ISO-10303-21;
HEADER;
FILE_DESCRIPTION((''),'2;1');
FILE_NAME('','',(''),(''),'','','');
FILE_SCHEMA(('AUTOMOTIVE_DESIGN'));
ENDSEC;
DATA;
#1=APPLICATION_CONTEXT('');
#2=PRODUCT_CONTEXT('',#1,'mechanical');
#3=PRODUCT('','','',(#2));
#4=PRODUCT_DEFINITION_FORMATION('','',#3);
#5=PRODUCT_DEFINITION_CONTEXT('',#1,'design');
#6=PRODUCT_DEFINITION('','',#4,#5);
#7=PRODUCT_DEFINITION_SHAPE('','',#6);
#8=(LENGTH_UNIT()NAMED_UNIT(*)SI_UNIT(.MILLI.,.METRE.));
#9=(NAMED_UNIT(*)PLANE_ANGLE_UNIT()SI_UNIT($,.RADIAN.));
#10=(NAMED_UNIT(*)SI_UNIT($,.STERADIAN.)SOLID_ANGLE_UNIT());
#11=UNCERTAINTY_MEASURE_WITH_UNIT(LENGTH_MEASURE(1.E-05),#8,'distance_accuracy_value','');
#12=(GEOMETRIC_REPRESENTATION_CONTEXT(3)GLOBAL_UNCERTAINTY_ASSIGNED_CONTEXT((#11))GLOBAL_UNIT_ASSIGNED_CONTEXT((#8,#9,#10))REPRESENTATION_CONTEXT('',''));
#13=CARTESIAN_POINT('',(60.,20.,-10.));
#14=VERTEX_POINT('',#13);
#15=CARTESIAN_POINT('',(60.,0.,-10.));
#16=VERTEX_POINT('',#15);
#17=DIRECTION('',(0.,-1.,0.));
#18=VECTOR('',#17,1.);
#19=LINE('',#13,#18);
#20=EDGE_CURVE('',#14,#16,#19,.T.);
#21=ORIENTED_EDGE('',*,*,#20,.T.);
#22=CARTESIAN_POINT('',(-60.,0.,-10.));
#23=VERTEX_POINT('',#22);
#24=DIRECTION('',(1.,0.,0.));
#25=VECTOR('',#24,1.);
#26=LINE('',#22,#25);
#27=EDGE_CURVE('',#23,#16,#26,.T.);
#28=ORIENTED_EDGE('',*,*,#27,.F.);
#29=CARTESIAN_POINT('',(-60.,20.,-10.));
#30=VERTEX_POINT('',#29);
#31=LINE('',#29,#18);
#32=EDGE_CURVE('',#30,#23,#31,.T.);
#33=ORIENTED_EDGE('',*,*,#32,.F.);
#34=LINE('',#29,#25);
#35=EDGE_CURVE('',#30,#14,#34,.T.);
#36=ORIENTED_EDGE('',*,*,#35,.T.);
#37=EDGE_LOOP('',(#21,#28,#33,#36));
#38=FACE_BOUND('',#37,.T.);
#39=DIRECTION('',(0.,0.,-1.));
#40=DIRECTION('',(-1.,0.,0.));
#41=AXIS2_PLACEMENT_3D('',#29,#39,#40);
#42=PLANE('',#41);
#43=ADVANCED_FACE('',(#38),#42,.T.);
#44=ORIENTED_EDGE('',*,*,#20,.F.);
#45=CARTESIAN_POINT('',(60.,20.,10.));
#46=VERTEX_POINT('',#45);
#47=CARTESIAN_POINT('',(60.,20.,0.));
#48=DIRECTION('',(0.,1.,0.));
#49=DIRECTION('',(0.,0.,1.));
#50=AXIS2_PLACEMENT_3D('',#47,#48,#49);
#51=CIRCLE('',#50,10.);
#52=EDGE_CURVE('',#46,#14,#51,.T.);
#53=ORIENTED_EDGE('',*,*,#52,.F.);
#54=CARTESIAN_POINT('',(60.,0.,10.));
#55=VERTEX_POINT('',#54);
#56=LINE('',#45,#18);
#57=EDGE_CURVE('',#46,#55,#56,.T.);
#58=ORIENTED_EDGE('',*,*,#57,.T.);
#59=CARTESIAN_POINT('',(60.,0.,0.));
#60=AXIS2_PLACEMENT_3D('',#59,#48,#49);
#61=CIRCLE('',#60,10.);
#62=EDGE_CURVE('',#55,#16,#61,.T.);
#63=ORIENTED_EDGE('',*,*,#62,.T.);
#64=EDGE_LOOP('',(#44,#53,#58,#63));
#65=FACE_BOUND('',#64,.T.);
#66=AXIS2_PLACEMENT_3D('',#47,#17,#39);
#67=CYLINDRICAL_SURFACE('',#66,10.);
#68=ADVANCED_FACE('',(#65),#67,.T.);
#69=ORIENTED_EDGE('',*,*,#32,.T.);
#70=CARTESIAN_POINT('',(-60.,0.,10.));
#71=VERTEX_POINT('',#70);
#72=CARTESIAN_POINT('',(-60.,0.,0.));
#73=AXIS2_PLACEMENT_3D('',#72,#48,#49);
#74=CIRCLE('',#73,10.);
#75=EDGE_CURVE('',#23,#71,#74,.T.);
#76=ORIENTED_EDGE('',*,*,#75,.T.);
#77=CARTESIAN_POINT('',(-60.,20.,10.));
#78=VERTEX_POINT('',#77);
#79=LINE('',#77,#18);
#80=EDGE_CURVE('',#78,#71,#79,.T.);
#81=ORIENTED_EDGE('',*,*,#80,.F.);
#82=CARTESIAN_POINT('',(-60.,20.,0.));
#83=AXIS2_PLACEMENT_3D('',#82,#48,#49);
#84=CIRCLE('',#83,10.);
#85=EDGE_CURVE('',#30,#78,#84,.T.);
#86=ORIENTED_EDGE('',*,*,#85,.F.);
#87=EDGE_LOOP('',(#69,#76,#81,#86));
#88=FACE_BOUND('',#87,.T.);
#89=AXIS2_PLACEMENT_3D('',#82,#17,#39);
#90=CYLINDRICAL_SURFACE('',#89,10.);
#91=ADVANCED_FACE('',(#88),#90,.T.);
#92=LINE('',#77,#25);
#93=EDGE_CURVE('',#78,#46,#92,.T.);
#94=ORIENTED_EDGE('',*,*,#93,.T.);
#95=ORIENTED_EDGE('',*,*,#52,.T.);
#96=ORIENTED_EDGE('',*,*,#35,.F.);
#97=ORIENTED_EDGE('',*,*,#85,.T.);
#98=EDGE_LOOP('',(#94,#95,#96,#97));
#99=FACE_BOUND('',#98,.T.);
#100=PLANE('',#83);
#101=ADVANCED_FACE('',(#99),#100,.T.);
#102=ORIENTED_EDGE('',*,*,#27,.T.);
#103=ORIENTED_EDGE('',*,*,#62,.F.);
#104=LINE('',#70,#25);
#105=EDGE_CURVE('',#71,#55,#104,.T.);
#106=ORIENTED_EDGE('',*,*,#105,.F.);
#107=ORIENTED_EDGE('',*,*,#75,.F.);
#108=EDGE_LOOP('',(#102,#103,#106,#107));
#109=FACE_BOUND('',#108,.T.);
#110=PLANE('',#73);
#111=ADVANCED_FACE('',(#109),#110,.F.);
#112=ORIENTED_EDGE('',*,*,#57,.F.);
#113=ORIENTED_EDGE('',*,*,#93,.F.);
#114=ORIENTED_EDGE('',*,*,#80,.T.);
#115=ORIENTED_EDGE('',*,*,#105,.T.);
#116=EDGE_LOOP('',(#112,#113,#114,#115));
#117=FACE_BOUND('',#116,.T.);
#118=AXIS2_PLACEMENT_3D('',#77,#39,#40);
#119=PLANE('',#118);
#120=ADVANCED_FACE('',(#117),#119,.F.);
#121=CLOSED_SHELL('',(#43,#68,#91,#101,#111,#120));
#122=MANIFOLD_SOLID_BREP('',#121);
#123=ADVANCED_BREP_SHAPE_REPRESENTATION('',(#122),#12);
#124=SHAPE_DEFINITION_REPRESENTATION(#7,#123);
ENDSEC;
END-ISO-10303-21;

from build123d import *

# Parameters (mm, degrees)
BOSS_EXTRUDE1_DEPTH = 20


with BuildPart() as part:
    # Sketch3 → Boss-Extrude1 (new body)
    with BuildSketch(Plane(origin=(0, 0, 0), x_dir=(1, 0, 0), z_dir=(0, 1, 0))):
        with BuildLine():
            Line((-60, 10), (60, 10))
            ThreePointArc((60, 10), (70, 0), (60, -10))
            Line((60, -10), (-60, -10))
            ThreePointArc((-60, -10), (-70, 0), (-60, 10))
        make_face()
    extrude(amount=BOSS_EXTRUDE1_DEPTH)


solid = part.part
